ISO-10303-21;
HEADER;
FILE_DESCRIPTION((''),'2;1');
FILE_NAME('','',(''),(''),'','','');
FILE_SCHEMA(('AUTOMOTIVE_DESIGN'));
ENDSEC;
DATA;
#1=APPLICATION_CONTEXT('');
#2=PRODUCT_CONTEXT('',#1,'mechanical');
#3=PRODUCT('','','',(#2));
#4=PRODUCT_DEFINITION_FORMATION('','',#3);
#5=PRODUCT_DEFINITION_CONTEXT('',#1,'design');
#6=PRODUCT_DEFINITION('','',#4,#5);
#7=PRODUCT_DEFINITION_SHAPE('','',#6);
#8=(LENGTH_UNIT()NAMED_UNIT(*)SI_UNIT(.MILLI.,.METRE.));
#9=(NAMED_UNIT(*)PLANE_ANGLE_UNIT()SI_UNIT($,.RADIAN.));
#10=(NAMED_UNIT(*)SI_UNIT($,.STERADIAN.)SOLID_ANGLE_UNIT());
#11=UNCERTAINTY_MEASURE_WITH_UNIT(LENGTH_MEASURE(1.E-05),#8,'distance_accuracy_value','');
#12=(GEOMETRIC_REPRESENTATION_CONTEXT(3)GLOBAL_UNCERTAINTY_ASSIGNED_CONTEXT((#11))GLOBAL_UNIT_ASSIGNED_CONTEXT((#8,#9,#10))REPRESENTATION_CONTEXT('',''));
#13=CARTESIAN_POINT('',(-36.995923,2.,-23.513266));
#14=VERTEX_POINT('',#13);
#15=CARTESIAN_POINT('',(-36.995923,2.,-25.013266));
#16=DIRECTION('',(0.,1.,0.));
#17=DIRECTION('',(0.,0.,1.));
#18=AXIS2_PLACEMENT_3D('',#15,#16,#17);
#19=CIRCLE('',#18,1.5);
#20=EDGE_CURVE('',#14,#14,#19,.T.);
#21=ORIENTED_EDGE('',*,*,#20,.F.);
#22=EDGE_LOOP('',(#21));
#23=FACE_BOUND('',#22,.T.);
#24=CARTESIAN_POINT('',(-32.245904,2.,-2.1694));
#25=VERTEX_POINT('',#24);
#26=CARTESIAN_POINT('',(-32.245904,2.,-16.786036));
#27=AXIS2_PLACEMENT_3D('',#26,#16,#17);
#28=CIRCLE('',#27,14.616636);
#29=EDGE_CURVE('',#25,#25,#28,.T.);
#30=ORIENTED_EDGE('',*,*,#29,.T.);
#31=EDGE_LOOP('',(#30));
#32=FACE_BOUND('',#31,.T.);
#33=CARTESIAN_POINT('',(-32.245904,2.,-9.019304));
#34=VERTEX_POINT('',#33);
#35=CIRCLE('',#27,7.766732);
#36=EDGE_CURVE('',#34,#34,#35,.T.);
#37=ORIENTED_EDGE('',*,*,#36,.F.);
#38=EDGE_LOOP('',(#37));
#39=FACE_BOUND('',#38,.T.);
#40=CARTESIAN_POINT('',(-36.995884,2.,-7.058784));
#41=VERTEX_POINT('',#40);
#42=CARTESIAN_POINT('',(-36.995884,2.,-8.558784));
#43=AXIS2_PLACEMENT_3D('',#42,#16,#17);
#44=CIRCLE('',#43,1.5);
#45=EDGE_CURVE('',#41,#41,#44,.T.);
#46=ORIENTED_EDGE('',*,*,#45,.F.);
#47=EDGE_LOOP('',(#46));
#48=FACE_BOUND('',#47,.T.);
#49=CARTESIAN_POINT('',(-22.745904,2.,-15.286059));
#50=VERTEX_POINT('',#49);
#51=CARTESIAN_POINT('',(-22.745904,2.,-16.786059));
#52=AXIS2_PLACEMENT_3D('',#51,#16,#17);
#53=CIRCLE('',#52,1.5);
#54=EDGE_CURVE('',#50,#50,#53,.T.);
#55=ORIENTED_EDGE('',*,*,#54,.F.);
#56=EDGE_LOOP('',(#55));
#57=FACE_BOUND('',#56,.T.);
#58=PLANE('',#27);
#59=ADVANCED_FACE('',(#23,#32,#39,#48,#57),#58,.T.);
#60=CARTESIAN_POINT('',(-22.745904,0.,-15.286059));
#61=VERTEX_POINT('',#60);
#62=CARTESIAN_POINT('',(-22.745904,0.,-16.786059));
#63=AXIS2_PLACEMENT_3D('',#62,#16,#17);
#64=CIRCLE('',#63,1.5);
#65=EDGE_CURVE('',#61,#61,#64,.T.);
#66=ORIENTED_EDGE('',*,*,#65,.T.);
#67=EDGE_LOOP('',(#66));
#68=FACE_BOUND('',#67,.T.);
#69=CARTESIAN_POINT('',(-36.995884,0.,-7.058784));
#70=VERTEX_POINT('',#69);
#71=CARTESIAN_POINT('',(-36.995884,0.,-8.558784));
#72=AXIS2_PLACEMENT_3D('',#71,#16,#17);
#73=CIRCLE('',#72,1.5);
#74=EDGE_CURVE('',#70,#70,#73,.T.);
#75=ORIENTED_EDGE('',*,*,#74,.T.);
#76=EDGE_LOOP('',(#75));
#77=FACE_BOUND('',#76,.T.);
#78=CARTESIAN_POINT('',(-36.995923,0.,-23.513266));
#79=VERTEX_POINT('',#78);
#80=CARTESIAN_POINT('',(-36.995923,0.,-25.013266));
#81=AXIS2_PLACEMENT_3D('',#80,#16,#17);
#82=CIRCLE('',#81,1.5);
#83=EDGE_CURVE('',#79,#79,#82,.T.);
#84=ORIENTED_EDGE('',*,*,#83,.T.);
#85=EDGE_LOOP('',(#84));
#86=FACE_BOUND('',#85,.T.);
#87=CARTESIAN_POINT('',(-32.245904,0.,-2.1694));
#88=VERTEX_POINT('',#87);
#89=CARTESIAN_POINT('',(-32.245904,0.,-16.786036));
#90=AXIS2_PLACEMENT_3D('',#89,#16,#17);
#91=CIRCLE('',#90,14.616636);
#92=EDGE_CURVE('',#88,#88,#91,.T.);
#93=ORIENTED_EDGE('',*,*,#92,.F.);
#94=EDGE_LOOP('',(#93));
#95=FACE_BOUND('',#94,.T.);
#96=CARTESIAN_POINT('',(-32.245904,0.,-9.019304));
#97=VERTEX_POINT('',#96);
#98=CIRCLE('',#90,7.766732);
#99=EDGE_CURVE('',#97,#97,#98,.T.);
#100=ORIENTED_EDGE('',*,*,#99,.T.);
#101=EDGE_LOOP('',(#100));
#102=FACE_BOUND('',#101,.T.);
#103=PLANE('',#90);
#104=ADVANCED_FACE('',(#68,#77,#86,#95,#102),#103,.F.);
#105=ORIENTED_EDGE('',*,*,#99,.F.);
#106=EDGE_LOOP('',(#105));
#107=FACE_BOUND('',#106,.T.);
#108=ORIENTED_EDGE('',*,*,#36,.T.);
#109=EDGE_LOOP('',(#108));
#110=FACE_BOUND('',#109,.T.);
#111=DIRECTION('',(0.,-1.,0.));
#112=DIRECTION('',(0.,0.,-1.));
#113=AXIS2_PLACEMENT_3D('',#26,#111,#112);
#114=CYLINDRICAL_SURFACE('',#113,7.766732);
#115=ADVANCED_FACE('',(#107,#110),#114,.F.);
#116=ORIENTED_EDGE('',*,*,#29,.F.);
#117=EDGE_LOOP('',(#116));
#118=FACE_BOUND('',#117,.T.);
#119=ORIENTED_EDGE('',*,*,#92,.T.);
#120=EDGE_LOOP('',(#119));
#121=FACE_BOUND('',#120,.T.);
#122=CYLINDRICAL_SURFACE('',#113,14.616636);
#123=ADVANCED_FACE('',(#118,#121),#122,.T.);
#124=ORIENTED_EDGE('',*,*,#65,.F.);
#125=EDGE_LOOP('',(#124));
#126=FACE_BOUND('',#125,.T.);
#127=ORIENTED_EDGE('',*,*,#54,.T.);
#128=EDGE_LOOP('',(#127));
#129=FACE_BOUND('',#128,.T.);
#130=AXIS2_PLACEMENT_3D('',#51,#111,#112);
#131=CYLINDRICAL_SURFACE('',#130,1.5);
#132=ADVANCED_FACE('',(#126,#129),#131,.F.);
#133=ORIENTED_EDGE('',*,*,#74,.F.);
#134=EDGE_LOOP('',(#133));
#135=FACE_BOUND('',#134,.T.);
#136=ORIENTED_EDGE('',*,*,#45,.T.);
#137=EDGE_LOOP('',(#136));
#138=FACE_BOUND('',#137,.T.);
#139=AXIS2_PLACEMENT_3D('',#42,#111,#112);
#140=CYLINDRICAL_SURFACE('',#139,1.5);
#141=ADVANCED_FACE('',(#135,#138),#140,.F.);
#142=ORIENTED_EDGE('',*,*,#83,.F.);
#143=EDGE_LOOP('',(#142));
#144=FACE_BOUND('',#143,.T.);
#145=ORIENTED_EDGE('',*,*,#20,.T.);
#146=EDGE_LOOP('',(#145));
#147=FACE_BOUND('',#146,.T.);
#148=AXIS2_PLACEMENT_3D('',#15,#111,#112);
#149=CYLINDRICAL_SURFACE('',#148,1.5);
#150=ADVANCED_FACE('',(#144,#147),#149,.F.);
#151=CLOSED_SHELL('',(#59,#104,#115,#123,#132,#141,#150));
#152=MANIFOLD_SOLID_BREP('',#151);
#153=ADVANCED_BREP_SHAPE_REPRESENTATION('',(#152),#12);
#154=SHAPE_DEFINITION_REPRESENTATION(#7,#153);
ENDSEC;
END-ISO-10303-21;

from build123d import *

# Parameters (mm, degrees)
SKETCH1_R           = 14.616636411
SKETCH1_R_2         = 7.766732205
SKETCH1_R_3         = 1.5
BOSS_EXTRUDE1_DEPTH = 2


with BuildPart() as part:
    # Sketch1 → Boss-Extrude1 (new body)
    with BuildSketch(Plane(origin=(0, 0, 0), x_dir=(1, 0, 0), z_dir=(0, 1, 0))):
        with Locations(Location((-32.245903782, 16.786036403, 0), (0, 0, 270))):
            Circle(SKETCH1_R)
        with Locations(Location((-32.245903782, 16.786036403, 0), (0, 0, 270))):
            Circle(SKETCH1_R_2, mode=Mode.SUBTRACT)
        with Locations(Location((-36.995884149, 8.558783732, 0), (0, 0, 270))):
            Circle(SKETCH1_R_3, mode=Mode.SUBTRACT)
        with Locations(Location((-36.995923414, 25.013266404, 0), (0, 0, 270))):
            Circle(SKETCH1_R_3, mode=Mode.SUBTRACT)
        with Locations(Location((-22.745903782, 16.786059073, 0), (0, 0, 270))):
            Circle(SKETCH1_R_3, mode=Mode.SUBTRACT)
    extrude(amount=BOSS_EXTRUDE1_DEPTH)


solid = part.part
